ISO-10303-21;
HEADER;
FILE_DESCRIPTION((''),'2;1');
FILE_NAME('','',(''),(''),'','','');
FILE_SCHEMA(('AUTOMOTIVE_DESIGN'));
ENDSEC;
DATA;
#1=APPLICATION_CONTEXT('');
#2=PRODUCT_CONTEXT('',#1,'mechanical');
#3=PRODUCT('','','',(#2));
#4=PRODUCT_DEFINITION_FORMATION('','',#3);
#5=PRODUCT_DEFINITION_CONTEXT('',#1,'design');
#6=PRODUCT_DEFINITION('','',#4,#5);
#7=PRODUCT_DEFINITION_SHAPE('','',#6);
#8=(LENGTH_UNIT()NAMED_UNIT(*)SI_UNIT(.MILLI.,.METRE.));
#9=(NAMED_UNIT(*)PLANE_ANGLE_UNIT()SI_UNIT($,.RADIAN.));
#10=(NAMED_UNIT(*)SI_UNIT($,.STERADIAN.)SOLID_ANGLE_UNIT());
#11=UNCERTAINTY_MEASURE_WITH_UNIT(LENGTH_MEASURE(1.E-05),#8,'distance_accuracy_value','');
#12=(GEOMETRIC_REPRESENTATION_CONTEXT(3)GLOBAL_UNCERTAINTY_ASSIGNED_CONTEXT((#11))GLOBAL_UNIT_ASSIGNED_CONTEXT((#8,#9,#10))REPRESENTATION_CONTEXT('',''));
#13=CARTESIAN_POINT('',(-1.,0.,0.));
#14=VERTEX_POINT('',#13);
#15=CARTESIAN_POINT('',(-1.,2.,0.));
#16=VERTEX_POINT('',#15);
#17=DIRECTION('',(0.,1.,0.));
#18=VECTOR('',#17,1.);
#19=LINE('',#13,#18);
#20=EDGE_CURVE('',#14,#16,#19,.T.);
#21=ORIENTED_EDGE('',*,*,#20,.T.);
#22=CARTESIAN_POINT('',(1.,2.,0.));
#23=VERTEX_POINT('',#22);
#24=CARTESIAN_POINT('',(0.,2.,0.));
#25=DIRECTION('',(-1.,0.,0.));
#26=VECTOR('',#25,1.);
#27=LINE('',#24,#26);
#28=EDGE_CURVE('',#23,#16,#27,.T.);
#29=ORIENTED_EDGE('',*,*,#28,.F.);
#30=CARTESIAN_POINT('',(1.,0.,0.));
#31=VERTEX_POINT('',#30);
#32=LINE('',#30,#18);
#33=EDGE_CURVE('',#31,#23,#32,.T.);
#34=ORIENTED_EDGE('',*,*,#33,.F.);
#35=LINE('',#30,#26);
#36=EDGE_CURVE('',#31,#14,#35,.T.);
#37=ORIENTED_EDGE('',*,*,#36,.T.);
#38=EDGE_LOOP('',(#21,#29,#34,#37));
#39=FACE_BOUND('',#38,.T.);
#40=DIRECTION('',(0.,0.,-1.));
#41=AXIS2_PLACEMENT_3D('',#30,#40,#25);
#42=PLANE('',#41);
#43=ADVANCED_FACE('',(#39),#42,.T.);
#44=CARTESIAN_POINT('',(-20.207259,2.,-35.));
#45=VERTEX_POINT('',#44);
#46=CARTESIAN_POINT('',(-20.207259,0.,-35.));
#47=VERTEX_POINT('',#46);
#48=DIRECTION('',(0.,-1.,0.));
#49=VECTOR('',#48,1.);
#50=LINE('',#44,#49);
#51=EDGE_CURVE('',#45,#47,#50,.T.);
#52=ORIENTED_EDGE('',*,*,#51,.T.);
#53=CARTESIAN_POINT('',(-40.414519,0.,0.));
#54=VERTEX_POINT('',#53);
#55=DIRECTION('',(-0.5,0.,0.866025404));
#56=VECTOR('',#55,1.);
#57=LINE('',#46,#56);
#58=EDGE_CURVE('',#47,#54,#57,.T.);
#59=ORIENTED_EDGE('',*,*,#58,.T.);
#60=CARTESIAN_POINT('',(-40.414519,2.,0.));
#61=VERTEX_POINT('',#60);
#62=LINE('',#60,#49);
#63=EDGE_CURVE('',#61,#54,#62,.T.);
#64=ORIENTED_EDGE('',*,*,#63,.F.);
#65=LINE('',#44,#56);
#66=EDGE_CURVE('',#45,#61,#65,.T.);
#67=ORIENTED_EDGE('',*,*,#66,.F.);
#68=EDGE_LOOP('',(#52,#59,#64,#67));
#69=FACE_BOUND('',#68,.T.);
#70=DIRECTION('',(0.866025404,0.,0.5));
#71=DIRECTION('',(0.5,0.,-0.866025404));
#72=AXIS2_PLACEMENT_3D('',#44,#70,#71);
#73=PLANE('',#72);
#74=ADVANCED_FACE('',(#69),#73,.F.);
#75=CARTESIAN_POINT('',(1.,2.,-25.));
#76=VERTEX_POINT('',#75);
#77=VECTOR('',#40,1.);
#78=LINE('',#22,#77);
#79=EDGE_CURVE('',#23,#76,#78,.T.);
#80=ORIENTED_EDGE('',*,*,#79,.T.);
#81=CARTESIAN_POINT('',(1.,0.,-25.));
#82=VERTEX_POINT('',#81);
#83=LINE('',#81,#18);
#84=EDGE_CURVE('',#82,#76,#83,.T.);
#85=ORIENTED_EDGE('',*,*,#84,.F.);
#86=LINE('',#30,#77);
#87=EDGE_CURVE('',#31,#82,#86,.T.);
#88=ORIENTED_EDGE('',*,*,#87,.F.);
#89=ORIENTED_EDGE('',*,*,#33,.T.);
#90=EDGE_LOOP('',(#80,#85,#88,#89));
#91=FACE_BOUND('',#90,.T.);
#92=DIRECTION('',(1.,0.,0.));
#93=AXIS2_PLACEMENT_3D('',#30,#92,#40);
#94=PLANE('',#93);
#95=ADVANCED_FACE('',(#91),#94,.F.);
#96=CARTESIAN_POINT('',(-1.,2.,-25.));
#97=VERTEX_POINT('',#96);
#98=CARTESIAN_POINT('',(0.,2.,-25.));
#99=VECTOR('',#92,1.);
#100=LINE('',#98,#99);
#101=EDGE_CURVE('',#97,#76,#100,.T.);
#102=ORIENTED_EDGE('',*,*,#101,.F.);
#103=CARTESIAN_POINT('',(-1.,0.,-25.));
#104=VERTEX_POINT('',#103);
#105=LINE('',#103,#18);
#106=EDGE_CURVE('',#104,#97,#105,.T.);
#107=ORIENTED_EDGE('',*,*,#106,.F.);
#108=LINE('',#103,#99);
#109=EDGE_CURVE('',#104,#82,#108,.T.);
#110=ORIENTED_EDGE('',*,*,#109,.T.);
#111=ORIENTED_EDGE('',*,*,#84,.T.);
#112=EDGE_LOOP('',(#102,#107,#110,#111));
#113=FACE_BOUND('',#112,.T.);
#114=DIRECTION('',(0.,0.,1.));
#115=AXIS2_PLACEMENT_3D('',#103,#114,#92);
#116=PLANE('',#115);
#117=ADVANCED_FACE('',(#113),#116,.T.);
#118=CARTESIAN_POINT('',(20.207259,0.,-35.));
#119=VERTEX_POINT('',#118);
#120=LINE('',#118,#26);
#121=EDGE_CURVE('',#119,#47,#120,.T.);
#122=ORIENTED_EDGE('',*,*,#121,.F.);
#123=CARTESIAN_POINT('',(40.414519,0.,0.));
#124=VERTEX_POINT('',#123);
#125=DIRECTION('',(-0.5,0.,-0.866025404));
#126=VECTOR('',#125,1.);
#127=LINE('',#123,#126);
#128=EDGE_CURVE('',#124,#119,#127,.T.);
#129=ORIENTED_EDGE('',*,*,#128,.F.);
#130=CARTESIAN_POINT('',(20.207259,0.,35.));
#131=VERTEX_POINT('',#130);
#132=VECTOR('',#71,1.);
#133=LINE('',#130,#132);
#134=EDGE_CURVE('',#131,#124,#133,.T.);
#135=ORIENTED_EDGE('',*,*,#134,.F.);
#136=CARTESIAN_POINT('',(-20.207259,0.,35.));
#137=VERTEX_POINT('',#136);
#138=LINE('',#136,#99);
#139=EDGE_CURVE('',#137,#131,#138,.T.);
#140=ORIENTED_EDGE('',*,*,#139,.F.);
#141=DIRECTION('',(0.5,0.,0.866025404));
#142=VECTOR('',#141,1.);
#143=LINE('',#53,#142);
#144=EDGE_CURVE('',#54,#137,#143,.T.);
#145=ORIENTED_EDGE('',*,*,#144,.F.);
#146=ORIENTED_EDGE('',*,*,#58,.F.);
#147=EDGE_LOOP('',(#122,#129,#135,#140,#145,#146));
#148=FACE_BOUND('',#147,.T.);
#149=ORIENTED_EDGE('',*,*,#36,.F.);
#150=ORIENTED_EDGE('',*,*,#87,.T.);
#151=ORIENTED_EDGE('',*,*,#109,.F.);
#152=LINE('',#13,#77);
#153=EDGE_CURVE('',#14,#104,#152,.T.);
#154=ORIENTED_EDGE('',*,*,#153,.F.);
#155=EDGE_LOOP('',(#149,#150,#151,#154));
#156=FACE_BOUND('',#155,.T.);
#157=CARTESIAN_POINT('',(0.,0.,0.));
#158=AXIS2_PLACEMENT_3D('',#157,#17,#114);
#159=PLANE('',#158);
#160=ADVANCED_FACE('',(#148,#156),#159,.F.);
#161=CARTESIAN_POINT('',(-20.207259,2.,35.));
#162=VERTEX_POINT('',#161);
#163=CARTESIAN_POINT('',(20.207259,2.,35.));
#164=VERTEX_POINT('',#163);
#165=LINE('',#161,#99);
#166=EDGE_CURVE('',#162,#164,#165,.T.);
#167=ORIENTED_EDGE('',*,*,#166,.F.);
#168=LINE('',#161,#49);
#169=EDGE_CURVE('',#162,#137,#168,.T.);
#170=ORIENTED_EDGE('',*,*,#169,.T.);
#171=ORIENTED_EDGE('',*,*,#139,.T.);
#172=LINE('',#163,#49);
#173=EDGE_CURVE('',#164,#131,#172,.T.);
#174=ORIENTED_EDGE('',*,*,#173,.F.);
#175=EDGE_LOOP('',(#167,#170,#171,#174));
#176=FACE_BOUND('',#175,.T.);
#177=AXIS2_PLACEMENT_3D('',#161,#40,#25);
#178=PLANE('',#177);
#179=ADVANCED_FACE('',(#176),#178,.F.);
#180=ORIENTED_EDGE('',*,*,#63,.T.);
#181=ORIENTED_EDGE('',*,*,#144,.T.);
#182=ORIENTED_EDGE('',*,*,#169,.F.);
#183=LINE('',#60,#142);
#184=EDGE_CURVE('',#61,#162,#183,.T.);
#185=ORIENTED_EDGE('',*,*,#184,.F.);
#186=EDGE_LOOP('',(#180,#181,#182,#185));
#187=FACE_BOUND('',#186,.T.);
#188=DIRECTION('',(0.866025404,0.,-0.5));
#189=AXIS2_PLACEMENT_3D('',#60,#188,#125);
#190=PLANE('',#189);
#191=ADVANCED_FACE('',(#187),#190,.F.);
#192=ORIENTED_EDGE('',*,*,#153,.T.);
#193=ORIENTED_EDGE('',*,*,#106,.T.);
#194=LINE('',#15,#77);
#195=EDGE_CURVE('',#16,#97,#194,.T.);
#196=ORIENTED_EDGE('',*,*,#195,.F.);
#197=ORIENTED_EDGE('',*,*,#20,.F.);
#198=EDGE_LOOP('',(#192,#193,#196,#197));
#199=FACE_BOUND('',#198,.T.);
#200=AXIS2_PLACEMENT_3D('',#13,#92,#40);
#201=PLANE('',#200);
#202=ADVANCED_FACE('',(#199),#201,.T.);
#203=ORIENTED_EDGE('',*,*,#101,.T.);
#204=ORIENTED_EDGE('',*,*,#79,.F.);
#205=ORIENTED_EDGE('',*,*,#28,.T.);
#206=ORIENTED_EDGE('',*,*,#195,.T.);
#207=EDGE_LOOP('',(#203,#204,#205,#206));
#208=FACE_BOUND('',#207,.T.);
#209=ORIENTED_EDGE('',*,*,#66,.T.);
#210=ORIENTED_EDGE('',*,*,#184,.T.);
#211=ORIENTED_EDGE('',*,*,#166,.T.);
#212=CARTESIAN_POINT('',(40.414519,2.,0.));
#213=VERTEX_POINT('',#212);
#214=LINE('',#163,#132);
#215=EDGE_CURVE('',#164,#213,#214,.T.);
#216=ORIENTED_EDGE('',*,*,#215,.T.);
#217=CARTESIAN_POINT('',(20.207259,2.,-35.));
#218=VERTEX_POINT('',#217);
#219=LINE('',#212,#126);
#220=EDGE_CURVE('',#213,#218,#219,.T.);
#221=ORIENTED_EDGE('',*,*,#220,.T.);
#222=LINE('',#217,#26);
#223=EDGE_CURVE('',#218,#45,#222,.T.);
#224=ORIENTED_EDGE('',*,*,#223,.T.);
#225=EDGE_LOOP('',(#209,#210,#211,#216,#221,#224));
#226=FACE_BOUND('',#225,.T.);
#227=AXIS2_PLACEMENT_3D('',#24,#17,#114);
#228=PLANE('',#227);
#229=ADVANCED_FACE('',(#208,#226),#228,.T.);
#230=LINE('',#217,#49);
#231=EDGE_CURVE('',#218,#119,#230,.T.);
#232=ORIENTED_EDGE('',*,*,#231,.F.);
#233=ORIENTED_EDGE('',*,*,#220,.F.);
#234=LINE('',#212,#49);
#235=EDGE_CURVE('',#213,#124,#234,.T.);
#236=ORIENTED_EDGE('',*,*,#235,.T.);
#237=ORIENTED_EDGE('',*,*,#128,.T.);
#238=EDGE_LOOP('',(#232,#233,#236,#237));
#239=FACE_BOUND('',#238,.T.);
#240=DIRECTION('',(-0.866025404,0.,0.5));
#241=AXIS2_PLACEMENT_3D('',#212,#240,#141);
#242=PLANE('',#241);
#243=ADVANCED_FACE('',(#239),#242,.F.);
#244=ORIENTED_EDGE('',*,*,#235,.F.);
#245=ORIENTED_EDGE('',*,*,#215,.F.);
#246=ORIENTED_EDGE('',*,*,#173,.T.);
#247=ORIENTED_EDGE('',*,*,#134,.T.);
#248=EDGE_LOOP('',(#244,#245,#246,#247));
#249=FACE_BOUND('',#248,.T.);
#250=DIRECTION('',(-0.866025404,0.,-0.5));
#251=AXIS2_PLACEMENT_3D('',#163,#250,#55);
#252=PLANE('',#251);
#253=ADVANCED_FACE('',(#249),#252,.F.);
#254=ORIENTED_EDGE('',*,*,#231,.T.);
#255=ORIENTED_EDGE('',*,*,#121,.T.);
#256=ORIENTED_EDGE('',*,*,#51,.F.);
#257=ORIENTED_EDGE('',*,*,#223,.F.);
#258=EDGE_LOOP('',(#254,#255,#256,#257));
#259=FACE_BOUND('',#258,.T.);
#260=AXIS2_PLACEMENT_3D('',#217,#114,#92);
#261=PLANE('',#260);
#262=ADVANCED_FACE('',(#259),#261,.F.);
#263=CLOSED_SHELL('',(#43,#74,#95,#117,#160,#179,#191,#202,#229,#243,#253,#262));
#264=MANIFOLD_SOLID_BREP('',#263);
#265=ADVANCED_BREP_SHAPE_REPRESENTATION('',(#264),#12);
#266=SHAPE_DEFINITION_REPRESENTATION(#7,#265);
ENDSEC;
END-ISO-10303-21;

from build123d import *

# Parameters (mm, degrees)
BOSS_EXTRUDE1_DEPTH          = 2
SKETCH2_W                    = 2
SKETCH2_H                    = 25
CUT_EXTRUDE_THIN1_DEPTH      = 1
CUT_EXTRUDE_THIN1_DEPTH_BACK = 3


with BuildPart() as part:
    # Sketch1 → Boss-Extrude1 (new body)
    with BuildSketch(Plane(origin=(0, 0, 0), x_dir=(1, 0, 0), z_dir=(0, 1, 0))):
        Polygon((-20.207259422, -35), (20.207259422, -35), (40.414518843, 0), (20.207259422, 35), (-20.207259422, 35), (-40.414518843, 0), align=None)
    extrude(amount=BOSS_EXTRUDE1_DEPTH)

    # Sketch2 → Cut-Extrude-Thin1 (cut, two sides)
    with BuildSketch(Plane(origin=(0, 2, 0), x_dir=(1, 0, 0), z_dir=(0, 1, 0))) as cut_extrude_thin1_sk:
        with Locations((0, 12.5)):
            Rectangle(SKETCH2_W, SKETCH2_H)
    extrude(amount=CUT_EXTRUDE_THIN1_DEPTH, mode=Mode.SUBTRACT)
    extrude(cut_extrude_thin1_sk.sketch, amount=-CUT_EXTRUDE_THIN1_DEPTH_BACK, mode=Mode.SUBTRACT)


solid = part.part
